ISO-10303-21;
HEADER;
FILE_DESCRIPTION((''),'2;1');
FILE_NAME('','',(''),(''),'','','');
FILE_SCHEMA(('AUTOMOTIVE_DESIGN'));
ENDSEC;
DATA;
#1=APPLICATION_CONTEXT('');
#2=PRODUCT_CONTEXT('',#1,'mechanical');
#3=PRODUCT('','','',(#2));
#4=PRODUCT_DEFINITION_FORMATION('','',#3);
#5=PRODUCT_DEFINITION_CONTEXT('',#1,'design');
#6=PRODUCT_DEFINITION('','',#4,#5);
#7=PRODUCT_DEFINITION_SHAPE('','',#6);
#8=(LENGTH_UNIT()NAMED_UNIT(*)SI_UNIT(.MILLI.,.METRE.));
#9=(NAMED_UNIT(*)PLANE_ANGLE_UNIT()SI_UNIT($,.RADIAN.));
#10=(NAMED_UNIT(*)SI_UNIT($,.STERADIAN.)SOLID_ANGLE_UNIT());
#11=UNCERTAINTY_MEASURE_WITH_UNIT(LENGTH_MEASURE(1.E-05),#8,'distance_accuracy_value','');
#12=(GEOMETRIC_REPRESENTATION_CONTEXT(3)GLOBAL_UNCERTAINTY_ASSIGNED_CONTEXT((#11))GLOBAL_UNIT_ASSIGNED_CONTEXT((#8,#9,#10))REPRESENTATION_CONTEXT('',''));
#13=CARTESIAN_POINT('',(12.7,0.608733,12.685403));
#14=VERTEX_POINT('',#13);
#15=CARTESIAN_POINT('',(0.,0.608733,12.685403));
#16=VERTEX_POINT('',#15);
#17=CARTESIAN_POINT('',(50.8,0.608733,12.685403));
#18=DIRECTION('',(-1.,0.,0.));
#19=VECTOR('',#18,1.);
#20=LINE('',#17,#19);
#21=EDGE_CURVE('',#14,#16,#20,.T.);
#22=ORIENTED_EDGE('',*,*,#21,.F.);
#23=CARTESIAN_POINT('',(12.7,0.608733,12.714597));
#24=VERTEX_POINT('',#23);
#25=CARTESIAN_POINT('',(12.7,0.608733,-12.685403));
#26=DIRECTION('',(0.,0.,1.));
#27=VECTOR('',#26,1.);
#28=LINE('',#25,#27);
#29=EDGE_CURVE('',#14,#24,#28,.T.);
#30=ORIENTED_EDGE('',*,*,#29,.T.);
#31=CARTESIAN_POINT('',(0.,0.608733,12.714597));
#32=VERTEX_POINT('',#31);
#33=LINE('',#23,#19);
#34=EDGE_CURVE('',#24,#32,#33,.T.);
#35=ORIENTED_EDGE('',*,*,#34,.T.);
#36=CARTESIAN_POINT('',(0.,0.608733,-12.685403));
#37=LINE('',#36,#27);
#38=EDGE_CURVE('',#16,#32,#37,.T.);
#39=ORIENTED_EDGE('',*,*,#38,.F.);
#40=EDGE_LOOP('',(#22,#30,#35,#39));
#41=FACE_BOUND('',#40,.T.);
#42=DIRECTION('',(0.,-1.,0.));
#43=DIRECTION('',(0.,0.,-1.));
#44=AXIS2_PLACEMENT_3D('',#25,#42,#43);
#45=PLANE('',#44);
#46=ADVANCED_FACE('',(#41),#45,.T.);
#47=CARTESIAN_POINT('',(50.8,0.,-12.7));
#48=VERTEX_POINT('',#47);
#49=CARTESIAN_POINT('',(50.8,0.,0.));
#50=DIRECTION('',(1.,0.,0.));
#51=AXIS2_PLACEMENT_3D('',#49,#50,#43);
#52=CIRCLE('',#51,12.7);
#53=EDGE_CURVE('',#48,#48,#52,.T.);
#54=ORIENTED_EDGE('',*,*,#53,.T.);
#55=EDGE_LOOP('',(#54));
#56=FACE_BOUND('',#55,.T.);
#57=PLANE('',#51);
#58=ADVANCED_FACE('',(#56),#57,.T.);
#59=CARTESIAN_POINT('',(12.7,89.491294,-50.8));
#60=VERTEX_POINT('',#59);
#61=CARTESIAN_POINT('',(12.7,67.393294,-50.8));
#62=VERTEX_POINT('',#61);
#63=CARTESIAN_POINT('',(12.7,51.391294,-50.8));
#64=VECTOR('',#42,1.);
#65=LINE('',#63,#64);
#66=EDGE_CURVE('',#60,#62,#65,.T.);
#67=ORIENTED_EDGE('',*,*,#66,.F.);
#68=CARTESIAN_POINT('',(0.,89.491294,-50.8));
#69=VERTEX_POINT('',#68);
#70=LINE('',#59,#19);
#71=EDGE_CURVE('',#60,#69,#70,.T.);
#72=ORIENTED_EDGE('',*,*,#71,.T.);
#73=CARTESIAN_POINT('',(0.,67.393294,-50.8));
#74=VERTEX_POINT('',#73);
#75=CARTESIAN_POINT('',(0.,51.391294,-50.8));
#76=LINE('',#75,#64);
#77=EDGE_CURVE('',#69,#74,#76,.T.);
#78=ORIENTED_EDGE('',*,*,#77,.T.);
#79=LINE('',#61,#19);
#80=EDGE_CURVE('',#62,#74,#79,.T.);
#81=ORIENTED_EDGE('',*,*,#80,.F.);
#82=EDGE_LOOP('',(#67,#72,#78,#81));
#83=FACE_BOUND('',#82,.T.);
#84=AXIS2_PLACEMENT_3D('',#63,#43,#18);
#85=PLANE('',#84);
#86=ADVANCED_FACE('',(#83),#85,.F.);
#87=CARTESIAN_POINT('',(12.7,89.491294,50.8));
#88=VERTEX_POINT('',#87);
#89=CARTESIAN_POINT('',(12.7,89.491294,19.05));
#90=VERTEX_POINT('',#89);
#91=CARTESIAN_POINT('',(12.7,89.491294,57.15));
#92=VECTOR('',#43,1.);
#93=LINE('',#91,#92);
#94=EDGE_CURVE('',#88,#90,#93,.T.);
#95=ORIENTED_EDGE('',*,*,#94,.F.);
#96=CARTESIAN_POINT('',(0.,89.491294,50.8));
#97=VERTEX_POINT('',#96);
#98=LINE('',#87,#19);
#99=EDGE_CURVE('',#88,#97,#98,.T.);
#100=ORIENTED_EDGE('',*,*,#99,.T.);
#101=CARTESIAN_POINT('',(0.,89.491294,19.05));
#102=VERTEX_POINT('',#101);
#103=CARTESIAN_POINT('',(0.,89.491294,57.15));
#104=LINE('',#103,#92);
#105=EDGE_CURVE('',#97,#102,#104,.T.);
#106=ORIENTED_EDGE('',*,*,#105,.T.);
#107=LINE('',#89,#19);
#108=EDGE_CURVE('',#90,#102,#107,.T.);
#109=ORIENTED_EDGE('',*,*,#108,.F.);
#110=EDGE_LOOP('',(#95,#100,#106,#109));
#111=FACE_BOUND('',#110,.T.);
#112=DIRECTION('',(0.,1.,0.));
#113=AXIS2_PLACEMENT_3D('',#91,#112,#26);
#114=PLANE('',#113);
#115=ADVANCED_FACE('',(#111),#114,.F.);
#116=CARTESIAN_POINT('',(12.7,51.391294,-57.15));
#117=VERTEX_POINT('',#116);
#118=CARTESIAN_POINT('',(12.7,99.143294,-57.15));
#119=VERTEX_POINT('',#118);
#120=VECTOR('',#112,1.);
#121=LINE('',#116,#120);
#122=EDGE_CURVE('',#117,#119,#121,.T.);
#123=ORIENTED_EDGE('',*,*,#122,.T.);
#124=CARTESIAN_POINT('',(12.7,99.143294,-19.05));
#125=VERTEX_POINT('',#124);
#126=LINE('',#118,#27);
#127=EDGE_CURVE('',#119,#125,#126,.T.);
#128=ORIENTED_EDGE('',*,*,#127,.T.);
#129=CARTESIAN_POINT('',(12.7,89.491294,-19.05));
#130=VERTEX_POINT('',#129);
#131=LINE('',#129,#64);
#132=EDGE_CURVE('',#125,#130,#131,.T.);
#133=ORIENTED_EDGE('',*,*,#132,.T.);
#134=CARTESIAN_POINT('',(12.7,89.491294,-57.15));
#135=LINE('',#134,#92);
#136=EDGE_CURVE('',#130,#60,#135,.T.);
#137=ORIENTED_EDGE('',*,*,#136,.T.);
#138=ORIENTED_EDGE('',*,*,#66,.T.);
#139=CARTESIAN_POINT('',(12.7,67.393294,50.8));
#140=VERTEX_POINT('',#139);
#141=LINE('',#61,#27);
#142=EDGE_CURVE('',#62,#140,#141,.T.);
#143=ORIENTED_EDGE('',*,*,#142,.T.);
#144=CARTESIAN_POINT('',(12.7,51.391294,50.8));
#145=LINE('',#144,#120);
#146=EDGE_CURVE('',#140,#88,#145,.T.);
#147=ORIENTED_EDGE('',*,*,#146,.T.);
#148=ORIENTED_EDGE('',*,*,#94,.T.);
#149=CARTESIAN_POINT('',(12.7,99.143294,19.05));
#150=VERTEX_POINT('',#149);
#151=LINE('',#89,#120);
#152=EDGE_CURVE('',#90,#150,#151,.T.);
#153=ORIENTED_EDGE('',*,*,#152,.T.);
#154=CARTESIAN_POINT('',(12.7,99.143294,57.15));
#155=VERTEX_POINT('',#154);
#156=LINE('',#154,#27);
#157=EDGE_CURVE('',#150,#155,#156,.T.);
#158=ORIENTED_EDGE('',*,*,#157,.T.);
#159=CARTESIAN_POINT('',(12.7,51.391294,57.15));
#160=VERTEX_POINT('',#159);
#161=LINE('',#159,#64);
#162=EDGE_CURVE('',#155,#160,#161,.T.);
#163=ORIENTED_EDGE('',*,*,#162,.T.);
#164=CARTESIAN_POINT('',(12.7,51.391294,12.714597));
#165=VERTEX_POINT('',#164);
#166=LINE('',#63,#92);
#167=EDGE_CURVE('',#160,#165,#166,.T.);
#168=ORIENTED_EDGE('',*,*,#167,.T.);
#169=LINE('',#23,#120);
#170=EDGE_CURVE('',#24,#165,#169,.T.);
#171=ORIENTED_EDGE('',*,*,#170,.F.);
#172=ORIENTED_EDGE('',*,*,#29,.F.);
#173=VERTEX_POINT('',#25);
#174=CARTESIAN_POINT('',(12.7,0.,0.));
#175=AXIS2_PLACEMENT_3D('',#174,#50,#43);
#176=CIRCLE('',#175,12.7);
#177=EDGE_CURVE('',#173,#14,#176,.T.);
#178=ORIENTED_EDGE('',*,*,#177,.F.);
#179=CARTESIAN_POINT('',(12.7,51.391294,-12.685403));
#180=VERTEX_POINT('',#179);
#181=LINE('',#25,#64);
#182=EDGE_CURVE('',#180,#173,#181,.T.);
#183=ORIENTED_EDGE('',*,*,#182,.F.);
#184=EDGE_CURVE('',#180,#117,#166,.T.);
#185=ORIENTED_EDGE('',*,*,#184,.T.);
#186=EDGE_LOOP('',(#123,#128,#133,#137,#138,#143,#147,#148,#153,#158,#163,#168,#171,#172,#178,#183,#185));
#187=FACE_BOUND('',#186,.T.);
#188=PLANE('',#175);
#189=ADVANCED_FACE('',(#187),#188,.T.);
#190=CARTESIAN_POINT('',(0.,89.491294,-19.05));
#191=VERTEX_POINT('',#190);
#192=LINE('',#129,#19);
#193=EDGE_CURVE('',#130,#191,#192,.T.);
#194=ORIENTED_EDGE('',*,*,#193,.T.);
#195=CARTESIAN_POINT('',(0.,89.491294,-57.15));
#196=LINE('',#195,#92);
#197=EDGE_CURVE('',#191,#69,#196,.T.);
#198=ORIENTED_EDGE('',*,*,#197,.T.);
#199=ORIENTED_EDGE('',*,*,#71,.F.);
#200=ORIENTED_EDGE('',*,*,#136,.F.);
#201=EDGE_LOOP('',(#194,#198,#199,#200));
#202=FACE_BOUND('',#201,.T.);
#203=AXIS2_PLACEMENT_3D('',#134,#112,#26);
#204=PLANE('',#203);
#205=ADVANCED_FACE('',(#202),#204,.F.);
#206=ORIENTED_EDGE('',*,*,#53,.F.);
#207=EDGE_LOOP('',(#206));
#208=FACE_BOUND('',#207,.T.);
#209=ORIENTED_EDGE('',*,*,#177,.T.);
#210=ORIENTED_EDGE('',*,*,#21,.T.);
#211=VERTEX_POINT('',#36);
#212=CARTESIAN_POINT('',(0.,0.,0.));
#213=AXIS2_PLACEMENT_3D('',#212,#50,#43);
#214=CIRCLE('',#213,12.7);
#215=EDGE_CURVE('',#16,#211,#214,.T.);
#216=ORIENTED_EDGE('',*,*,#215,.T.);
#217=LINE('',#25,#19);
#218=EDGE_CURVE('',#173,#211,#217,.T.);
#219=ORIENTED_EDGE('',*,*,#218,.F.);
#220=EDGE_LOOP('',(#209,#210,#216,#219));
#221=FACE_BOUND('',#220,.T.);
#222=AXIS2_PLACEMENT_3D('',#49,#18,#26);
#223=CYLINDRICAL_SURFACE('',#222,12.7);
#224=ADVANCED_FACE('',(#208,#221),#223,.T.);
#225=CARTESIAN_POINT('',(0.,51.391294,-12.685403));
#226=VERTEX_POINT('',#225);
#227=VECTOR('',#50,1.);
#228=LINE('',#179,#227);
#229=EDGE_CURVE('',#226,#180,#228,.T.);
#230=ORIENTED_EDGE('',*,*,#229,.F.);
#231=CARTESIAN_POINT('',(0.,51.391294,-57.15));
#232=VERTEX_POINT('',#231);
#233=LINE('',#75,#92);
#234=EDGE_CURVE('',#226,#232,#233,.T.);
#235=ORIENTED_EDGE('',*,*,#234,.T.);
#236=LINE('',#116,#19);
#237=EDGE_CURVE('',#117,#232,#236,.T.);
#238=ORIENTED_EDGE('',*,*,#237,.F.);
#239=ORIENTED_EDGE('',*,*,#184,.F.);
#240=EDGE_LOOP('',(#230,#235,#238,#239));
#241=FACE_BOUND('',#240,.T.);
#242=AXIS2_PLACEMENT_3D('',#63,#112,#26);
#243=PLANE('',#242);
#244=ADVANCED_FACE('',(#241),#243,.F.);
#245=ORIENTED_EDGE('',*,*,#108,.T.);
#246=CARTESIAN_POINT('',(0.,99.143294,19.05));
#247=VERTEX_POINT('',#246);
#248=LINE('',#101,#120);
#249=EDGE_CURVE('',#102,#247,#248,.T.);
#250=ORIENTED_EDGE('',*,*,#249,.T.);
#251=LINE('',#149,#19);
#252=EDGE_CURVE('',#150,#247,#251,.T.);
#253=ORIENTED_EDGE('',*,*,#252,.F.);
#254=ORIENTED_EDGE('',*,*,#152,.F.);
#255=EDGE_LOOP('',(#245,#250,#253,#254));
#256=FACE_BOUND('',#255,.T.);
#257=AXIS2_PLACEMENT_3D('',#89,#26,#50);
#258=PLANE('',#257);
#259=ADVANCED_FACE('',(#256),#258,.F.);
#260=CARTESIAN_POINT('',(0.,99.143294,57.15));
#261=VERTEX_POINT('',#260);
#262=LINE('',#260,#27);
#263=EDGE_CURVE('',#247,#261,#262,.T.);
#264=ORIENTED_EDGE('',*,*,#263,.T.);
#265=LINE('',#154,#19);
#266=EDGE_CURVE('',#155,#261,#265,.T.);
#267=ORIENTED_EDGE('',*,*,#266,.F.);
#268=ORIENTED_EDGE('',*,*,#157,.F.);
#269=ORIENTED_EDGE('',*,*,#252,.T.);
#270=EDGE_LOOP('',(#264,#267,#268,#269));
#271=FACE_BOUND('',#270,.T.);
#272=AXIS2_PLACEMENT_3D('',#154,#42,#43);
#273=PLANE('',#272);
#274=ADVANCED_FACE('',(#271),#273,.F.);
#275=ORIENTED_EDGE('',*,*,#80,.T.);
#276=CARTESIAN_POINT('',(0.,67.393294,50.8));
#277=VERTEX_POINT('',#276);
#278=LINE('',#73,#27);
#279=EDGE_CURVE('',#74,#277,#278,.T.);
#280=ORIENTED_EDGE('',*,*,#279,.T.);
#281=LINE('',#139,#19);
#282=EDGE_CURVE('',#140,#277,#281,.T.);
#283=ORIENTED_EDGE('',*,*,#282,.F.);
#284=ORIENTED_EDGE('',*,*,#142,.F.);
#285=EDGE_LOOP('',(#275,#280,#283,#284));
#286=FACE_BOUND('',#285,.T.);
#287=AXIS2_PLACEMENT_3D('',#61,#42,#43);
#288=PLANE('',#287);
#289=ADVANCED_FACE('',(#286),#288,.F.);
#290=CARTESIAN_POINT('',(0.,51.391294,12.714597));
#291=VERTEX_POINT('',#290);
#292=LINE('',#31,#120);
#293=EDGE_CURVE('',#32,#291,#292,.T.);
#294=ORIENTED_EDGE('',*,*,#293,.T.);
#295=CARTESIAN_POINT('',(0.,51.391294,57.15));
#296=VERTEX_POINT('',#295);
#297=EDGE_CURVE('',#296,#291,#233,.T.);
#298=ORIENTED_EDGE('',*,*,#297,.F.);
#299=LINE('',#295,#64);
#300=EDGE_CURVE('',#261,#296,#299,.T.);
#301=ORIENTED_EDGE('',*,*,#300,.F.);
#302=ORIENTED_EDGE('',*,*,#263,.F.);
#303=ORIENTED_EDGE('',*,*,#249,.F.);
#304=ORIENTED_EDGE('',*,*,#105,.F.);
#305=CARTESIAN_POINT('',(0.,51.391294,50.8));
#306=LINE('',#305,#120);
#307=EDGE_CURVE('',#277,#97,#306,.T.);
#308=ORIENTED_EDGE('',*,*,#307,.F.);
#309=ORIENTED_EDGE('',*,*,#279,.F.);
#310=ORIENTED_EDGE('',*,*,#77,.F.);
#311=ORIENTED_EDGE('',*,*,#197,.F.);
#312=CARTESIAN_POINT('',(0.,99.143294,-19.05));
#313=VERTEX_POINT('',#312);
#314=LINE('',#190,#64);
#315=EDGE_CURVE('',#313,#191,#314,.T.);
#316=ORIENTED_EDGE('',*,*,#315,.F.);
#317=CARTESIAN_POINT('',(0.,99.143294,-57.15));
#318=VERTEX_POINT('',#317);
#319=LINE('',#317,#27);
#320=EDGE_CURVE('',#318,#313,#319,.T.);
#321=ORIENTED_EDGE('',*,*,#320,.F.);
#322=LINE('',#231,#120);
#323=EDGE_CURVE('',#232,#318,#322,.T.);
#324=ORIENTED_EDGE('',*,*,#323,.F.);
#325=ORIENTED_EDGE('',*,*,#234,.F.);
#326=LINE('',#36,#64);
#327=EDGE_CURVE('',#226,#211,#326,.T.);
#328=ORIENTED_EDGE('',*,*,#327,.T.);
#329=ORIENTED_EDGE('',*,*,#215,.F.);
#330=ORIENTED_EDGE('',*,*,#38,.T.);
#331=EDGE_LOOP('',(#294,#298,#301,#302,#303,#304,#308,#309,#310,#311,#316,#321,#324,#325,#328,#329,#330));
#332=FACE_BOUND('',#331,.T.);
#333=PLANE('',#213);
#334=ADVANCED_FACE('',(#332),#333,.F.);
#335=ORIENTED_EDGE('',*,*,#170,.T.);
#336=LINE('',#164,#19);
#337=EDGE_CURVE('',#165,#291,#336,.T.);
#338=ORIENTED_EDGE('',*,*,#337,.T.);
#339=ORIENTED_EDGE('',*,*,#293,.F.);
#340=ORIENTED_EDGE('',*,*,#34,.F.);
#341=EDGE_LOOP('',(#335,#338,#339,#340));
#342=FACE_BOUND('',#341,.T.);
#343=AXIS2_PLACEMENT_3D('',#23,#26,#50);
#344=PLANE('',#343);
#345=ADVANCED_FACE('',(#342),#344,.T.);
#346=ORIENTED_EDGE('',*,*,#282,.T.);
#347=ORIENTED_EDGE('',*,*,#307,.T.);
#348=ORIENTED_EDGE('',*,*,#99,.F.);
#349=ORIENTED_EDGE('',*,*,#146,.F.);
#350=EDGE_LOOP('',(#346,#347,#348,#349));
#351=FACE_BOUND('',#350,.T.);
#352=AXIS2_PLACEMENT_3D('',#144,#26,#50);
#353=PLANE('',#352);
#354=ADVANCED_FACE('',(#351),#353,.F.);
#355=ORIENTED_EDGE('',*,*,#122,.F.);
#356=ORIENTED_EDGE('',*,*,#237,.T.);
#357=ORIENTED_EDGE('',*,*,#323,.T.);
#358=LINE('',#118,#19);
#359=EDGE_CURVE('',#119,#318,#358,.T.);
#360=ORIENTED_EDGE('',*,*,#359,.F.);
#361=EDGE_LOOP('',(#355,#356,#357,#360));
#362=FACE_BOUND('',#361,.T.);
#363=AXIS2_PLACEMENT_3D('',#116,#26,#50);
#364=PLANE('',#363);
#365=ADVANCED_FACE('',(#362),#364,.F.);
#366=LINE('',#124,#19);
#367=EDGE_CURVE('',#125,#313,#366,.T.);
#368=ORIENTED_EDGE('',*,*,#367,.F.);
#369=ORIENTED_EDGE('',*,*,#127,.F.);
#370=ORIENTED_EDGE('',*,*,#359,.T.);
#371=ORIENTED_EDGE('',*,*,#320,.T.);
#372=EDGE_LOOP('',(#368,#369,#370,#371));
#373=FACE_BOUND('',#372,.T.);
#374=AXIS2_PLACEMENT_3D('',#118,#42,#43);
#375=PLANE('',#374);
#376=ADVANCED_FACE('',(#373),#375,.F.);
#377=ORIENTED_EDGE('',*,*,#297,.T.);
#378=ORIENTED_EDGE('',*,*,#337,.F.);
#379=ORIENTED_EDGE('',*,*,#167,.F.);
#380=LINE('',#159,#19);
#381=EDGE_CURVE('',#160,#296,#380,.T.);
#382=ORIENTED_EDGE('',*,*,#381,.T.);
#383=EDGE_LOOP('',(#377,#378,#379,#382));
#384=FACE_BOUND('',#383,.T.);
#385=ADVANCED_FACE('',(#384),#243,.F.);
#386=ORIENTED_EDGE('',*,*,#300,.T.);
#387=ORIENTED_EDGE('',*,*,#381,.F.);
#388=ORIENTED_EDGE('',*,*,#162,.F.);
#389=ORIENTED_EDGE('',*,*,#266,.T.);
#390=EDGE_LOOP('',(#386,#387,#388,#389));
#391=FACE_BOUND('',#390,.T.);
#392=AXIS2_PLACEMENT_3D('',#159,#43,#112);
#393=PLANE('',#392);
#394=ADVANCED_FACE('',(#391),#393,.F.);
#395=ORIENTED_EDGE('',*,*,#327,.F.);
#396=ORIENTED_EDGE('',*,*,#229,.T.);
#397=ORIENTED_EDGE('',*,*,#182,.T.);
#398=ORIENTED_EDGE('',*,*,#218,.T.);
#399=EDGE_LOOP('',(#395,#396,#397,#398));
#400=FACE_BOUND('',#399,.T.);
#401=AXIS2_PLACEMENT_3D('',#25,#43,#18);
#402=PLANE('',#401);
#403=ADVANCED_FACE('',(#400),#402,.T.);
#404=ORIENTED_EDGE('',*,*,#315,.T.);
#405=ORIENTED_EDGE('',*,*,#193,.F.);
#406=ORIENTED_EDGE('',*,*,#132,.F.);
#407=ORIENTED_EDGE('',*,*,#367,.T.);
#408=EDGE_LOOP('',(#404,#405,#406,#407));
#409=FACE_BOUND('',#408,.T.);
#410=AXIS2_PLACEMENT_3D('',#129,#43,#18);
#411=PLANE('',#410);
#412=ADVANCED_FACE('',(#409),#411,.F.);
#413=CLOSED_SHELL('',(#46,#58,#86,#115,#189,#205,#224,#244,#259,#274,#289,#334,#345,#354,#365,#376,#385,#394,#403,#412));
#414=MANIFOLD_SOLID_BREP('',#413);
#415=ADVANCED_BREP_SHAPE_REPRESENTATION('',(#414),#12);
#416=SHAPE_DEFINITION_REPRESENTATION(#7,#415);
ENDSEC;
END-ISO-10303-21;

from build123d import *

# Parameters (mm, degrees)
SKETCH2_R           = 12.7
BOSS_EXTRUDE1_DEPTH = 50.8
SKETCH3_W           = 25.4
SKETCH3_H           = 50.8
BOSS_EXTRUDE2_DEPTH = 12.7
SKETCH5_W           = 101.6
SKETCH5_H           = 16.002
BOSS_EXTRUDE3_DEPTH = 12.7
SKETCH6_W           = 6.35
SKETCH6_H           = 38.1
BOSS_EXTRUDE4_DEPTH = 12.7
SKETCH7_W           = 38.1
SKETCH7_H           = 9.652
BOSS_EXTRUDE5_DEPTH = 12.7


with BuildPart() as part:
    # Sketch2 → Boss-Extrude1 (new body)
    with BuildSketch(Plane(origin=(0, 0, 0), x_dir=(0, 0, -1), z_dir=(1, 0, 0))):
        Circle(SKETCH2_R)
    extrude(amount=BOSS_EXTRUDE1_DEPTH)

    # Sketch3 → Boss-Extrude2 (add)
    with BuildSketch(Plane.ZY):
        with Locations((0.014597196, 26.008732875)):
            Rectangle(SKETCH3_W, SKETCH3_H)
    extrude(amount=-BOSS_EXTRUDE2_DEPTH)


with BuildPart() as body_2:
    # Sketch5 → Boss-Extrude3 (new body)
    with BuildSketch(Plane(origin=(0, 0, 0), x_dir=(0, 0, -1), z_dir=(1, 0, 0))):
        with Locations((0, 59.392294155)):
            Rectangle(SKETCH5_W, SKETCH5_H)
    extrude(amount=BOSS_EXTRUDE3_DEPTH)

    # Sketch6 → Boss-Extrude4 (add)
    with BuildSketch(Plane(origin=(0, 0, 0), x_dir=(0, 0, -1), z_dir=(1, 0, 0))):
        with Locations((-53.975, 70.441294155)):
            Rectangle(SKETCH6_W, SKETCH6_H)
        with Locations((53.975, 70.441294155)):
            Rectangle(SKETCH6_W, SKETCH6_H)
    extrude(amount=BOSS_EXTRUDE4_DEPTH)

    # Sketch7 → Boss-Extrude5 (add)
    with BuildSketch(Plane(origin=(0, 0, 0), x_dir=(0, 0, -1), z_dir=(1, 0, 0))):
        with Locations((-38.1, 94.317294155)):
            Rectangle(SKETCH7_W, SKETCH7_H)
        with Locations((38.1, 94.317294155)):
            Rectangle(SKETCH7_W, SKETCH7_H)
    extrude(amount=BOSS_EXTRUDE5_DEPTH)


with BuildPart() as part_1:
    add(part.part)

    # Combine1: union body 2
    add(body_2.part)


solid = part_1.part
